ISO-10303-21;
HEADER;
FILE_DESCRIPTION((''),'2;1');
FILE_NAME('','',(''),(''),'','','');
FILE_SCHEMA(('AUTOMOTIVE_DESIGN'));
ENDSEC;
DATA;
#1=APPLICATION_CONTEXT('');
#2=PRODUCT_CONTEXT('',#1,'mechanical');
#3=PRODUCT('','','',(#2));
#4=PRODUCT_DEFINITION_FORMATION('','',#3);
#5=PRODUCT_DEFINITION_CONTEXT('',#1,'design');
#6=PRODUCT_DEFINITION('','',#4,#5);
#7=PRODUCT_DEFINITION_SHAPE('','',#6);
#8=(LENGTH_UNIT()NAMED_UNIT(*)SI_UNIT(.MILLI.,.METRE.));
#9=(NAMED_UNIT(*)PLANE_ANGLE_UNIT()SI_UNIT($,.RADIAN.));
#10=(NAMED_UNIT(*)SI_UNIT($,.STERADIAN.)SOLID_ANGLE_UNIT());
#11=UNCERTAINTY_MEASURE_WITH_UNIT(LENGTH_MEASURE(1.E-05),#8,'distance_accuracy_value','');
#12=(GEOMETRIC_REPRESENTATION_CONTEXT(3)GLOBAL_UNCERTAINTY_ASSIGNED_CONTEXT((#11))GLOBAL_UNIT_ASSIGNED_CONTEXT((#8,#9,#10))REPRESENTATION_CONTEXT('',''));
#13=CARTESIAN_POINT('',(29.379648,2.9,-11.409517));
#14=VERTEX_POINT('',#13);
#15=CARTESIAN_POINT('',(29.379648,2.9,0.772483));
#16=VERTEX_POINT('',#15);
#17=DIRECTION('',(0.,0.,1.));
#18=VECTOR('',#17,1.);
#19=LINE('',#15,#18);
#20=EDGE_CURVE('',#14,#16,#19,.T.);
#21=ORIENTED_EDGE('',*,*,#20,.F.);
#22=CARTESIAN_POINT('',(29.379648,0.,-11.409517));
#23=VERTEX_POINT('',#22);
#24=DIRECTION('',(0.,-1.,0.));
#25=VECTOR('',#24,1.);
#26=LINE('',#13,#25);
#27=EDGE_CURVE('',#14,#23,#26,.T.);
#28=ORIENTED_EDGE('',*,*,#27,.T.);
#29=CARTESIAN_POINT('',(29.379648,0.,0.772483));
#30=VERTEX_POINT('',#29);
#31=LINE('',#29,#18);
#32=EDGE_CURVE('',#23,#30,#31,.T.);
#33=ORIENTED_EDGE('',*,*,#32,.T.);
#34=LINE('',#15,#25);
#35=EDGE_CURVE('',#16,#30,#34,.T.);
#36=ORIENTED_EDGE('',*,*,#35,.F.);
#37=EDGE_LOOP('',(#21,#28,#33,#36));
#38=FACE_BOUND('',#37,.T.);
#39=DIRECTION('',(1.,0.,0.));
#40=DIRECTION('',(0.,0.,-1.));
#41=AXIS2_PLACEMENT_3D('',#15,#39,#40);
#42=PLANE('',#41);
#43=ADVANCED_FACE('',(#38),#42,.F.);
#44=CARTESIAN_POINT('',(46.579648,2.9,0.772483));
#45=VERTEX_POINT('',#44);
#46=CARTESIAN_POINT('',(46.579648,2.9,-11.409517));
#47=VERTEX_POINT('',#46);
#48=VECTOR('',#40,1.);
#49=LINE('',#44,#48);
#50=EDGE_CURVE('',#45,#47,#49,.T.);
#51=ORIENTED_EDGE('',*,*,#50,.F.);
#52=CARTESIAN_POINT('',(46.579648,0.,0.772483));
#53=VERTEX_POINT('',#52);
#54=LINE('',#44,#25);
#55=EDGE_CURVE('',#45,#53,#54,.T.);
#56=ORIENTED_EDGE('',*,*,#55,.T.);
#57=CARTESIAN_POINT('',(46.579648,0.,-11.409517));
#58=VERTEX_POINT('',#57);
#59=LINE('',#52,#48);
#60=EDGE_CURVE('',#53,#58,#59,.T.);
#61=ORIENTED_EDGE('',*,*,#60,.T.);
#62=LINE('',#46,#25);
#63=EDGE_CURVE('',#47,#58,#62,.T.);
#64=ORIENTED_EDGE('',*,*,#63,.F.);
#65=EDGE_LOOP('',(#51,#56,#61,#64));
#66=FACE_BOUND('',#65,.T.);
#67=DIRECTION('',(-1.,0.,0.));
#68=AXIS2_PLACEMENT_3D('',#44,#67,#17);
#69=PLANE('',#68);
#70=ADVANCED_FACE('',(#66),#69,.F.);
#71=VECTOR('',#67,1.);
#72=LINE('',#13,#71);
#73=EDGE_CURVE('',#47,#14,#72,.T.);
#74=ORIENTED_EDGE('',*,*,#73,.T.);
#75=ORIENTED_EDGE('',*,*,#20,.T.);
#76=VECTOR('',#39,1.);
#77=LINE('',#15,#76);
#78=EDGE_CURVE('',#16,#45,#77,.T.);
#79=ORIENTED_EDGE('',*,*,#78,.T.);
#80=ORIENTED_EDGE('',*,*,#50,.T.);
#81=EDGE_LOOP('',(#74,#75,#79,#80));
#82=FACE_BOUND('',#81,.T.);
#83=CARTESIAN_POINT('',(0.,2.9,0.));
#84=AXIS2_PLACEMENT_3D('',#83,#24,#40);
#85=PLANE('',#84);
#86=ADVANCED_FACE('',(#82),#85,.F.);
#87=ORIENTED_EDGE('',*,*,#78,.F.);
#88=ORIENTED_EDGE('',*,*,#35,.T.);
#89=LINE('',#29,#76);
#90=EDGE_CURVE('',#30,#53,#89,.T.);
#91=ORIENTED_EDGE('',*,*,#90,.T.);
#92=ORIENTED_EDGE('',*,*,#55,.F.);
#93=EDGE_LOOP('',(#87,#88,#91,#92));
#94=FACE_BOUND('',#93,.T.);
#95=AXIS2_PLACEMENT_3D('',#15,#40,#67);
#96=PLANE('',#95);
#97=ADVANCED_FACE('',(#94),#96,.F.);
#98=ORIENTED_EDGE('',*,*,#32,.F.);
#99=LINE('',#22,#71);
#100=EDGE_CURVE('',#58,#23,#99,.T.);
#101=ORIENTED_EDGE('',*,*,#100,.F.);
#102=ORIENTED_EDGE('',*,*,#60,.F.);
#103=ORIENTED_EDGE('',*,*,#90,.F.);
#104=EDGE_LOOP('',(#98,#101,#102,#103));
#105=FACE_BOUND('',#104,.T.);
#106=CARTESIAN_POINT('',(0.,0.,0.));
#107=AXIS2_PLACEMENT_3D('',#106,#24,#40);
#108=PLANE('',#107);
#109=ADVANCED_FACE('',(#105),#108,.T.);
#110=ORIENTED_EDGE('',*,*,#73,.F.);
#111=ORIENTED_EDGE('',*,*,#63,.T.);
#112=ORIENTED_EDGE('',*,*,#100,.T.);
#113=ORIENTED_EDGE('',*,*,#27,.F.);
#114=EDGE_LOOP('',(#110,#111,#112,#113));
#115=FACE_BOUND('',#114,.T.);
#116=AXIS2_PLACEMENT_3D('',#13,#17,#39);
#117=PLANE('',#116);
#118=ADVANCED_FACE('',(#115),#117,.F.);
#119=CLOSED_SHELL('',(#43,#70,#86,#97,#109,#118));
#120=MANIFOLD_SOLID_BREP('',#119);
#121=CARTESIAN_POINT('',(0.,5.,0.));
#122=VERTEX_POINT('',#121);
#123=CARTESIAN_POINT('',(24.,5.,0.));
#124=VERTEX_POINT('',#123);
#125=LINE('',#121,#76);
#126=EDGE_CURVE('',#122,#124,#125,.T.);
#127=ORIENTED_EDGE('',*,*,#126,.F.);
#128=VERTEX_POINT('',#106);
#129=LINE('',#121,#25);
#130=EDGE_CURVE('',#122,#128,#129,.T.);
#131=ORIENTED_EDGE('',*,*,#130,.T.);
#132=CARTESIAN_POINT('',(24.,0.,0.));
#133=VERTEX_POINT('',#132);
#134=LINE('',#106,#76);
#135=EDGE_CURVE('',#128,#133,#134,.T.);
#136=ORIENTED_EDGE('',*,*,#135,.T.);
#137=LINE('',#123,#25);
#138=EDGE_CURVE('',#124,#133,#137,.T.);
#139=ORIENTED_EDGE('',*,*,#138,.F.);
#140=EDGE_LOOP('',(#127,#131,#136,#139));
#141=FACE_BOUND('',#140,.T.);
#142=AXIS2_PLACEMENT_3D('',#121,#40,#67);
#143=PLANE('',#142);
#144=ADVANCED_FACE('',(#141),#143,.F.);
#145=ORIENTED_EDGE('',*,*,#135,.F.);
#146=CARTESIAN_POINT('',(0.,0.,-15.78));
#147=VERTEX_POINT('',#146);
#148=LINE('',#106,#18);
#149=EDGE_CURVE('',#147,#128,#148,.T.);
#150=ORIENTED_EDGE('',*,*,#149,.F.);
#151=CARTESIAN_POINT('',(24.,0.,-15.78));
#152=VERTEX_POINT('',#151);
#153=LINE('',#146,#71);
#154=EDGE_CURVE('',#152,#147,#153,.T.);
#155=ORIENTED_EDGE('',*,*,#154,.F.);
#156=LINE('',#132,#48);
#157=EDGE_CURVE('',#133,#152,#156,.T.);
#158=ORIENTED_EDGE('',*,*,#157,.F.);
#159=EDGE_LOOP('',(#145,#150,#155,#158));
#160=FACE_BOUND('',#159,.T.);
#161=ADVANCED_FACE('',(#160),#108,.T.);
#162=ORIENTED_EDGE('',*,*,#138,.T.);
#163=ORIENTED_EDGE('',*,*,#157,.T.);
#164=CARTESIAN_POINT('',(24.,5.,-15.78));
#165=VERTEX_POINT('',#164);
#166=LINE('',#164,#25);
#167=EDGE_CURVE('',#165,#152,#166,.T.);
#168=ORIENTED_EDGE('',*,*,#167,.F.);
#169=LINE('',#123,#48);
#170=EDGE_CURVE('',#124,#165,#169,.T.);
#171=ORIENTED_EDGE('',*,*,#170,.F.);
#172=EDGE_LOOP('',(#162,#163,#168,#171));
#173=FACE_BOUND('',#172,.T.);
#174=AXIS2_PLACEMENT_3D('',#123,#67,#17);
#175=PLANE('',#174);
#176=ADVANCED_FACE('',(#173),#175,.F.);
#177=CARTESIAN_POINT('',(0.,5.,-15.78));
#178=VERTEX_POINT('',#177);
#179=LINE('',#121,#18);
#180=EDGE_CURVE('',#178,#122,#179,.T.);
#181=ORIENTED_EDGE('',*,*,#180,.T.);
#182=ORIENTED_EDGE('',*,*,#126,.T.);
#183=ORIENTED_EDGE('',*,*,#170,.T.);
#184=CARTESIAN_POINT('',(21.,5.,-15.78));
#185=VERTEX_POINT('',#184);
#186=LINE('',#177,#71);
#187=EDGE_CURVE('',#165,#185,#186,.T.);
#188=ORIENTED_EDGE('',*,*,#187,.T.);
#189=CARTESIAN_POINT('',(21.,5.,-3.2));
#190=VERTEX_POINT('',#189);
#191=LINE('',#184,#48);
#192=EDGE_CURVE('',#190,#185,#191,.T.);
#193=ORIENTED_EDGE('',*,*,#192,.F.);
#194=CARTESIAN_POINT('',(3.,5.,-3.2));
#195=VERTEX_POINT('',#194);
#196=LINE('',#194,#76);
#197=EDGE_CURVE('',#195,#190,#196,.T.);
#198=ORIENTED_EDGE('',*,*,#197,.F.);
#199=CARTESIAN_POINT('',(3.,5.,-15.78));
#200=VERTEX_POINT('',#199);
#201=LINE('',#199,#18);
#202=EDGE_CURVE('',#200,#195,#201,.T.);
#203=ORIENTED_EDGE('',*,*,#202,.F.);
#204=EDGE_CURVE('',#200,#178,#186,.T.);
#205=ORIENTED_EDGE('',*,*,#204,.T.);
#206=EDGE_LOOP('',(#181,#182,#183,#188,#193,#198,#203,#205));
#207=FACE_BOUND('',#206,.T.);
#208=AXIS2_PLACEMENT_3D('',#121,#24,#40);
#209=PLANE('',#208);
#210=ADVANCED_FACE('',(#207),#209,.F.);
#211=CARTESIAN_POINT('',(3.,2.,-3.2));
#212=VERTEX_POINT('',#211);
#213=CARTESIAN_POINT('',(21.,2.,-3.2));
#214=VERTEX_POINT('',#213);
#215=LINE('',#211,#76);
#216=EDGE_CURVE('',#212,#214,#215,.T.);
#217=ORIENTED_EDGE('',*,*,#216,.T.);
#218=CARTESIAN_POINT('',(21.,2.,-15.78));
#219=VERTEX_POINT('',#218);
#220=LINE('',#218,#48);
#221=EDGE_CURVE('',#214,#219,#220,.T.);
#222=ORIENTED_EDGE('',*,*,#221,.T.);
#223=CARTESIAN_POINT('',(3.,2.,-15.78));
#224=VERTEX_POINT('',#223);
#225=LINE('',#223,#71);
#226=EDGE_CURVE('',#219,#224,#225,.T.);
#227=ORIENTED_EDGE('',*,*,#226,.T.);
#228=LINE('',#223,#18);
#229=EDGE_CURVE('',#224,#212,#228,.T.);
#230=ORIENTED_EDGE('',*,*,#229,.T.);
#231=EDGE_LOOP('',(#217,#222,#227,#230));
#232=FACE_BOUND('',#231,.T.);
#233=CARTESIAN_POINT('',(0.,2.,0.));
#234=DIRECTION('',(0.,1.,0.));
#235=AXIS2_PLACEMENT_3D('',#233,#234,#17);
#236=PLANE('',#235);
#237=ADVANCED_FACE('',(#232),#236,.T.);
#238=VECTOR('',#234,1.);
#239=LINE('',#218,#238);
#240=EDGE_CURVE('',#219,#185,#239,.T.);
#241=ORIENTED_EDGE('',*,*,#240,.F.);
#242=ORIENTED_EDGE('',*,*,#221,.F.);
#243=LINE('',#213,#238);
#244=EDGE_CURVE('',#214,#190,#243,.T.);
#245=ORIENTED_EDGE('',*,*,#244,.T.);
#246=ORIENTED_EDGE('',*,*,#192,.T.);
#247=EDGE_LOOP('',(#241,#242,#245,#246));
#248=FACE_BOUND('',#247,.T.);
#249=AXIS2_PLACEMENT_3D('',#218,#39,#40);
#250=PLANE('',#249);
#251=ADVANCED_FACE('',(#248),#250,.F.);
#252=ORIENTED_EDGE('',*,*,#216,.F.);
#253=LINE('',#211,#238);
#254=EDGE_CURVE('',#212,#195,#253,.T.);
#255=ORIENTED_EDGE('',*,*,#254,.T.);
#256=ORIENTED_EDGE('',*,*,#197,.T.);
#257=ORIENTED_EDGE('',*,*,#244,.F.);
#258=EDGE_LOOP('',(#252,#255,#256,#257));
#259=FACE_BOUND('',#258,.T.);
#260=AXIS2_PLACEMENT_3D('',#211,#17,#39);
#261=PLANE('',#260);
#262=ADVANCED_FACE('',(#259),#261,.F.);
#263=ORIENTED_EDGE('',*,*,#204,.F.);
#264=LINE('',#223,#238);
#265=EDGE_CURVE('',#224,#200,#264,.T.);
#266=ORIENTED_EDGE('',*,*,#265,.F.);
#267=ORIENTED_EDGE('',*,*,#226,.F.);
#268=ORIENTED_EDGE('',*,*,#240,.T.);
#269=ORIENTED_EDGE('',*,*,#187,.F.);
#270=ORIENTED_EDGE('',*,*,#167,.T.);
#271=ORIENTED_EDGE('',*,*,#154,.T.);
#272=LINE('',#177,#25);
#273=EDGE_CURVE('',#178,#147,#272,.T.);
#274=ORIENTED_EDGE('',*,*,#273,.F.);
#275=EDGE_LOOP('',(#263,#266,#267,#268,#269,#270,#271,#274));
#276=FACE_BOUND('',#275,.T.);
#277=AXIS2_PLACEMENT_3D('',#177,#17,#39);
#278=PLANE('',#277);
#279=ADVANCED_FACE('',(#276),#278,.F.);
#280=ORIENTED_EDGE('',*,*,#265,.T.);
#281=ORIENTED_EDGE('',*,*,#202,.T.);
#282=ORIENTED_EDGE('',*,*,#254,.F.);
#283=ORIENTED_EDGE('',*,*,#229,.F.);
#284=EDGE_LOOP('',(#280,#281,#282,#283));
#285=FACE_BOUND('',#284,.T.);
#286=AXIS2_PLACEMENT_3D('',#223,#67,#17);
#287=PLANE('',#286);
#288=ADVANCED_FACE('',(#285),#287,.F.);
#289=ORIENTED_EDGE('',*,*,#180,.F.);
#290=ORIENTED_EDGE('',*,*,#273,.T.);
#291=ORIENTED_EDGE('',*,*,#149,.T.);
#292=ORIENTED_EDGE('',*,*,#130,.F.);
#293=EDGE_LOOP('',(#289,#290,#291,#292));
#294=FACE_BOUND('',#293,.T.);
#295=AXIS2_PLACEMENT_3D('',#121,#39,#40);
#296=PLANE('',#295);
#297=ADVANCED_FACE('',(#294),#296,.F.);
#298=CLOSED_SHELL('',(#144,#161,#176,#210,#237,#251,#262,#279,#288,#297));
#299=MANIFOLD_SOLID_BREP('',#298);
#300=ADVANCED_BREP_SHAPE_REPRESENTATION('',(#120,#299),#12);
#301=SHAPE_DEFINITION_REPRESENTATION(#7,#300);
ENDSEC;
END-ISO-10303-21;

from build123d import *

# Parameters (mm, degrees)
SKETCH1_W           = 24
SKETCH1_H           = 15.78
BOSS_EXTRUDE1_DEPTH = 5
SKETCH2_W           = 18
SKETCH2_H           = 12.58
CUT_EXTRUDE1_DEPTH  = 3
SKETCH3_W           = 17.2
SKETCH3_H           = 12.182
BOSS_EXTRUDE2_DEPTH = 2.9


with BuildPart() as part:
    # Sketch1 → Boss-Extrude1 (new body)
    with BuildSketch(Plane(origin=(0, 0, 0), x_dir=(1, 0, 0), z_dir=(0, 1, 0))):
        with Locations((12, 7.89)):
            Rectangle(SKETCH1_W, SKETCH1_H)
    extrude(amount=BOSS_EXTRUDE1_DEPTH)

    # Sketch2 → Cut-Extrude1 (cut)
    with BuildSketch(Plane(origin=(0, 5, 0), x_dir=(1, 0, 0), z_dir=(0, 1, 0))):
        with Locations((12, 9.49)):
            Rectangle(SKETCH2_W, SKETCH2_H)
    extrude(amount=-CUT_EXTRUDE1_DEPTH, mode=Mode.SUBTRACT)


with BuildPart() as body_2:
    # Sketch3 → Boss-Extrude2 (new body)
    with BuildSketch(Plane(origin=(0, 0, 0), x_dir=(1, 0, 0), z_dir=(0, 1, 0))):
        with Locations((37.979647852, 5.318516785)):
            Rectangle(SKETCH3_W, SKETCH3_H)
    extrude(amount=BOSS_EXTRUDE2_DEPTH)


solid = Compound([part.part, body_2.part])
